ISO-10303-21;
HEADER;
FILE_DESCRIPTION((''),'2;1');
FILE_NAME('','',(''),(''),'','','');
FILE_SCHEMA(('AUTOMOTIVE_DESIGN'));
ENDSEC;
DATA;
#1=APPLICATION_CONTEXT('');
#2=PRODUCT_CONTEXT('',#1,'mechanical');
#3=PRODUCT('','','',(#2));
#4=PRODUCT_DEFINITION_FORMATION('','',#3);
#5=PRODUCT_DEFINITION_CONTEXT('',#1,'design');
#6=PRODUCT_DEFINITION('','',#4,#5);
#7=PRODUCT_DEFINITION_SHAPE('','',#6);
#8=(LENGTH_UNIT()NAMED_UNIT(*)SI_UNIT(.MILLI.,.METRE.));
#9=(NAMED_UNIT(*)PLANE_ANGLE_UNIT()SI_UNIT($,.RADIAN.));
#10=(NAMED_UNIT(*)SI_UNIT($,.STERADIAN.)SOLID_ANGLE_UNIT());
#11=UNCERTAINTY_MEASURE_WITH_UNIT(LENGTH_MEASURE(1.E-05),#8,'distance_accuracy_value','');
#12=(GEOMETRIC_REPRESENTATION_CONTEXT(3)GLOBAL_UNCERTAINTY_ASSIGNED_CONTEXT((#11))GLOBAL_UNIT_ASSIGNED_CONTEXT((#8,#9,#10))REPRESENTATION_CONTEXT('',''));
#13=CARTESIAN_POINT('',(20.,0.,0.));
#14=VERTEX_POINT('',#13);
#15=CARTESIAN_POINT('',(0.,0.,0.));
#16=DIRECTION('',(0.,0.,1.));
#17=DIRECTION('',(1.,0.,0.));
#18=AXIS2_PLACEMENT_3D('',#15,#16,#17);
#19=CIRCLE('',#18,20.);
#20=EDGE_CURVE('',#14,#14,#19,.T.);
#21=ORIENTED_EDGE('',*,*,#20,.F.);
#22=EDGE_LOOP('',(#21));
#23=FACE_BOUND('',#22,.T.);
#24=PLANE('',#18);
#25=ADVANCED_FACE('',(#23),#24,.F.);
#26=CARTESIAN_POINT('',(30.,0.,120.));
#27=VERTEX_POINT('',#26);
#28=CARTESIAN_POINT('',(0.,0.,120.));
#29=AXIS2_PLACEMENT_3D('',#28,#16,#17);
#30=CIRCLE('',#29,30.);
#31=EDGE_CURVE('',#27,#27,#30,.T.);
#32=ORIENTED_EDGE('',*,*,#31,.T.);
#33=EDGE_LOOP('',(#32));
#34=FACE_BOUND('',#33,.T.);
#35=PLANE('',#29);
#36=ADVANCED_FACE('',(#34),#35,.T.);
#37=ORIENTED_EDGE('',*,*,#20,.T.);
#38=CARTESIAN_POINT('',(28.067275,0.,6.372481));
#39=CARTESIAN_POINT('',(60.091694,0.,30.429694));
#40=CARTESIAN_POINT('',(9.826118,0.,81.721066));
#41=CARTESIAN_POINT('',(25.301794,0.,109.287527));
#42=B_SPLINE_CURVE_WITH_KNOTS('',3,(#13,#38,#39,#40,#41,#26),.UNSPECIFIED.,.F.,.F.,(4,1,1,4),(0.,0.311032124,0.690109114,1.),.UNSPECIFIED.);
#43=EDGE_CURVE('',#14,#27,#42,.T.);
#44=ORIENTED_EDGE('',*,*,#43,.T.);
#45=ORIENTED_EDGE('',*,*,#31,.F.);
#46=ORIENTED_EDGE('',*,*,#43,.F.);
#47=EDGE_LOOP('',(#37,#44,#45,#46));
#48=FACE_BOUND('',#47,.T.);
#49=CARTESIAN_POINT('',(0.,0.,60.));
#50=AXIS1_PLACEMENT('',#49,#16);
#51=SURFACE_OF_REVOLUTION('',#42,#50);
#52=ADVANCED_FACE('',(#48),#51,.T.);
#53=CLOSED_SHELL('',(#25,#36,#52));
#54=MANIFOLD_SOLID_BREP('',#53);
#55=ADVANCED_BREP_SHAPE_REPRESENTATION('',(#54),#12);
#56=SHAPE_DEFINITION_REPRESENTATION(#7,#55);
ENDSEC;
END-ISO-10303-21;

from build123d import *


with BuildPart() as f1:
    # F0 (on Front) → F1 (revolve)
    with BuildSketch(Plane.XZ):
        with BuildLine():
            Line((0, 107.4418127537), (0, 0))
            Line((0, 0), (20, 0))
            add(Edge.make_bspline(
                [(20, 0), (28.0672750344, 6.3724812657), (60.0916944145, 30.4296935872), (9.8261177858, 81.7210655841), (25.3017941687, 109.2875266856), (30, 120)],
                knots=[0, 0, 0, 0, 0.3110321242, 0.6901091135, 1, 1, 1, 1], degree=3))
            Line((30, 120), (0, 120))
            Line((0, 120), (0, 107.4418127537))
        make_face()
    revolve(axis=Axis((0, 0, 60), (0, 0, 1)))


solid = f1.part
